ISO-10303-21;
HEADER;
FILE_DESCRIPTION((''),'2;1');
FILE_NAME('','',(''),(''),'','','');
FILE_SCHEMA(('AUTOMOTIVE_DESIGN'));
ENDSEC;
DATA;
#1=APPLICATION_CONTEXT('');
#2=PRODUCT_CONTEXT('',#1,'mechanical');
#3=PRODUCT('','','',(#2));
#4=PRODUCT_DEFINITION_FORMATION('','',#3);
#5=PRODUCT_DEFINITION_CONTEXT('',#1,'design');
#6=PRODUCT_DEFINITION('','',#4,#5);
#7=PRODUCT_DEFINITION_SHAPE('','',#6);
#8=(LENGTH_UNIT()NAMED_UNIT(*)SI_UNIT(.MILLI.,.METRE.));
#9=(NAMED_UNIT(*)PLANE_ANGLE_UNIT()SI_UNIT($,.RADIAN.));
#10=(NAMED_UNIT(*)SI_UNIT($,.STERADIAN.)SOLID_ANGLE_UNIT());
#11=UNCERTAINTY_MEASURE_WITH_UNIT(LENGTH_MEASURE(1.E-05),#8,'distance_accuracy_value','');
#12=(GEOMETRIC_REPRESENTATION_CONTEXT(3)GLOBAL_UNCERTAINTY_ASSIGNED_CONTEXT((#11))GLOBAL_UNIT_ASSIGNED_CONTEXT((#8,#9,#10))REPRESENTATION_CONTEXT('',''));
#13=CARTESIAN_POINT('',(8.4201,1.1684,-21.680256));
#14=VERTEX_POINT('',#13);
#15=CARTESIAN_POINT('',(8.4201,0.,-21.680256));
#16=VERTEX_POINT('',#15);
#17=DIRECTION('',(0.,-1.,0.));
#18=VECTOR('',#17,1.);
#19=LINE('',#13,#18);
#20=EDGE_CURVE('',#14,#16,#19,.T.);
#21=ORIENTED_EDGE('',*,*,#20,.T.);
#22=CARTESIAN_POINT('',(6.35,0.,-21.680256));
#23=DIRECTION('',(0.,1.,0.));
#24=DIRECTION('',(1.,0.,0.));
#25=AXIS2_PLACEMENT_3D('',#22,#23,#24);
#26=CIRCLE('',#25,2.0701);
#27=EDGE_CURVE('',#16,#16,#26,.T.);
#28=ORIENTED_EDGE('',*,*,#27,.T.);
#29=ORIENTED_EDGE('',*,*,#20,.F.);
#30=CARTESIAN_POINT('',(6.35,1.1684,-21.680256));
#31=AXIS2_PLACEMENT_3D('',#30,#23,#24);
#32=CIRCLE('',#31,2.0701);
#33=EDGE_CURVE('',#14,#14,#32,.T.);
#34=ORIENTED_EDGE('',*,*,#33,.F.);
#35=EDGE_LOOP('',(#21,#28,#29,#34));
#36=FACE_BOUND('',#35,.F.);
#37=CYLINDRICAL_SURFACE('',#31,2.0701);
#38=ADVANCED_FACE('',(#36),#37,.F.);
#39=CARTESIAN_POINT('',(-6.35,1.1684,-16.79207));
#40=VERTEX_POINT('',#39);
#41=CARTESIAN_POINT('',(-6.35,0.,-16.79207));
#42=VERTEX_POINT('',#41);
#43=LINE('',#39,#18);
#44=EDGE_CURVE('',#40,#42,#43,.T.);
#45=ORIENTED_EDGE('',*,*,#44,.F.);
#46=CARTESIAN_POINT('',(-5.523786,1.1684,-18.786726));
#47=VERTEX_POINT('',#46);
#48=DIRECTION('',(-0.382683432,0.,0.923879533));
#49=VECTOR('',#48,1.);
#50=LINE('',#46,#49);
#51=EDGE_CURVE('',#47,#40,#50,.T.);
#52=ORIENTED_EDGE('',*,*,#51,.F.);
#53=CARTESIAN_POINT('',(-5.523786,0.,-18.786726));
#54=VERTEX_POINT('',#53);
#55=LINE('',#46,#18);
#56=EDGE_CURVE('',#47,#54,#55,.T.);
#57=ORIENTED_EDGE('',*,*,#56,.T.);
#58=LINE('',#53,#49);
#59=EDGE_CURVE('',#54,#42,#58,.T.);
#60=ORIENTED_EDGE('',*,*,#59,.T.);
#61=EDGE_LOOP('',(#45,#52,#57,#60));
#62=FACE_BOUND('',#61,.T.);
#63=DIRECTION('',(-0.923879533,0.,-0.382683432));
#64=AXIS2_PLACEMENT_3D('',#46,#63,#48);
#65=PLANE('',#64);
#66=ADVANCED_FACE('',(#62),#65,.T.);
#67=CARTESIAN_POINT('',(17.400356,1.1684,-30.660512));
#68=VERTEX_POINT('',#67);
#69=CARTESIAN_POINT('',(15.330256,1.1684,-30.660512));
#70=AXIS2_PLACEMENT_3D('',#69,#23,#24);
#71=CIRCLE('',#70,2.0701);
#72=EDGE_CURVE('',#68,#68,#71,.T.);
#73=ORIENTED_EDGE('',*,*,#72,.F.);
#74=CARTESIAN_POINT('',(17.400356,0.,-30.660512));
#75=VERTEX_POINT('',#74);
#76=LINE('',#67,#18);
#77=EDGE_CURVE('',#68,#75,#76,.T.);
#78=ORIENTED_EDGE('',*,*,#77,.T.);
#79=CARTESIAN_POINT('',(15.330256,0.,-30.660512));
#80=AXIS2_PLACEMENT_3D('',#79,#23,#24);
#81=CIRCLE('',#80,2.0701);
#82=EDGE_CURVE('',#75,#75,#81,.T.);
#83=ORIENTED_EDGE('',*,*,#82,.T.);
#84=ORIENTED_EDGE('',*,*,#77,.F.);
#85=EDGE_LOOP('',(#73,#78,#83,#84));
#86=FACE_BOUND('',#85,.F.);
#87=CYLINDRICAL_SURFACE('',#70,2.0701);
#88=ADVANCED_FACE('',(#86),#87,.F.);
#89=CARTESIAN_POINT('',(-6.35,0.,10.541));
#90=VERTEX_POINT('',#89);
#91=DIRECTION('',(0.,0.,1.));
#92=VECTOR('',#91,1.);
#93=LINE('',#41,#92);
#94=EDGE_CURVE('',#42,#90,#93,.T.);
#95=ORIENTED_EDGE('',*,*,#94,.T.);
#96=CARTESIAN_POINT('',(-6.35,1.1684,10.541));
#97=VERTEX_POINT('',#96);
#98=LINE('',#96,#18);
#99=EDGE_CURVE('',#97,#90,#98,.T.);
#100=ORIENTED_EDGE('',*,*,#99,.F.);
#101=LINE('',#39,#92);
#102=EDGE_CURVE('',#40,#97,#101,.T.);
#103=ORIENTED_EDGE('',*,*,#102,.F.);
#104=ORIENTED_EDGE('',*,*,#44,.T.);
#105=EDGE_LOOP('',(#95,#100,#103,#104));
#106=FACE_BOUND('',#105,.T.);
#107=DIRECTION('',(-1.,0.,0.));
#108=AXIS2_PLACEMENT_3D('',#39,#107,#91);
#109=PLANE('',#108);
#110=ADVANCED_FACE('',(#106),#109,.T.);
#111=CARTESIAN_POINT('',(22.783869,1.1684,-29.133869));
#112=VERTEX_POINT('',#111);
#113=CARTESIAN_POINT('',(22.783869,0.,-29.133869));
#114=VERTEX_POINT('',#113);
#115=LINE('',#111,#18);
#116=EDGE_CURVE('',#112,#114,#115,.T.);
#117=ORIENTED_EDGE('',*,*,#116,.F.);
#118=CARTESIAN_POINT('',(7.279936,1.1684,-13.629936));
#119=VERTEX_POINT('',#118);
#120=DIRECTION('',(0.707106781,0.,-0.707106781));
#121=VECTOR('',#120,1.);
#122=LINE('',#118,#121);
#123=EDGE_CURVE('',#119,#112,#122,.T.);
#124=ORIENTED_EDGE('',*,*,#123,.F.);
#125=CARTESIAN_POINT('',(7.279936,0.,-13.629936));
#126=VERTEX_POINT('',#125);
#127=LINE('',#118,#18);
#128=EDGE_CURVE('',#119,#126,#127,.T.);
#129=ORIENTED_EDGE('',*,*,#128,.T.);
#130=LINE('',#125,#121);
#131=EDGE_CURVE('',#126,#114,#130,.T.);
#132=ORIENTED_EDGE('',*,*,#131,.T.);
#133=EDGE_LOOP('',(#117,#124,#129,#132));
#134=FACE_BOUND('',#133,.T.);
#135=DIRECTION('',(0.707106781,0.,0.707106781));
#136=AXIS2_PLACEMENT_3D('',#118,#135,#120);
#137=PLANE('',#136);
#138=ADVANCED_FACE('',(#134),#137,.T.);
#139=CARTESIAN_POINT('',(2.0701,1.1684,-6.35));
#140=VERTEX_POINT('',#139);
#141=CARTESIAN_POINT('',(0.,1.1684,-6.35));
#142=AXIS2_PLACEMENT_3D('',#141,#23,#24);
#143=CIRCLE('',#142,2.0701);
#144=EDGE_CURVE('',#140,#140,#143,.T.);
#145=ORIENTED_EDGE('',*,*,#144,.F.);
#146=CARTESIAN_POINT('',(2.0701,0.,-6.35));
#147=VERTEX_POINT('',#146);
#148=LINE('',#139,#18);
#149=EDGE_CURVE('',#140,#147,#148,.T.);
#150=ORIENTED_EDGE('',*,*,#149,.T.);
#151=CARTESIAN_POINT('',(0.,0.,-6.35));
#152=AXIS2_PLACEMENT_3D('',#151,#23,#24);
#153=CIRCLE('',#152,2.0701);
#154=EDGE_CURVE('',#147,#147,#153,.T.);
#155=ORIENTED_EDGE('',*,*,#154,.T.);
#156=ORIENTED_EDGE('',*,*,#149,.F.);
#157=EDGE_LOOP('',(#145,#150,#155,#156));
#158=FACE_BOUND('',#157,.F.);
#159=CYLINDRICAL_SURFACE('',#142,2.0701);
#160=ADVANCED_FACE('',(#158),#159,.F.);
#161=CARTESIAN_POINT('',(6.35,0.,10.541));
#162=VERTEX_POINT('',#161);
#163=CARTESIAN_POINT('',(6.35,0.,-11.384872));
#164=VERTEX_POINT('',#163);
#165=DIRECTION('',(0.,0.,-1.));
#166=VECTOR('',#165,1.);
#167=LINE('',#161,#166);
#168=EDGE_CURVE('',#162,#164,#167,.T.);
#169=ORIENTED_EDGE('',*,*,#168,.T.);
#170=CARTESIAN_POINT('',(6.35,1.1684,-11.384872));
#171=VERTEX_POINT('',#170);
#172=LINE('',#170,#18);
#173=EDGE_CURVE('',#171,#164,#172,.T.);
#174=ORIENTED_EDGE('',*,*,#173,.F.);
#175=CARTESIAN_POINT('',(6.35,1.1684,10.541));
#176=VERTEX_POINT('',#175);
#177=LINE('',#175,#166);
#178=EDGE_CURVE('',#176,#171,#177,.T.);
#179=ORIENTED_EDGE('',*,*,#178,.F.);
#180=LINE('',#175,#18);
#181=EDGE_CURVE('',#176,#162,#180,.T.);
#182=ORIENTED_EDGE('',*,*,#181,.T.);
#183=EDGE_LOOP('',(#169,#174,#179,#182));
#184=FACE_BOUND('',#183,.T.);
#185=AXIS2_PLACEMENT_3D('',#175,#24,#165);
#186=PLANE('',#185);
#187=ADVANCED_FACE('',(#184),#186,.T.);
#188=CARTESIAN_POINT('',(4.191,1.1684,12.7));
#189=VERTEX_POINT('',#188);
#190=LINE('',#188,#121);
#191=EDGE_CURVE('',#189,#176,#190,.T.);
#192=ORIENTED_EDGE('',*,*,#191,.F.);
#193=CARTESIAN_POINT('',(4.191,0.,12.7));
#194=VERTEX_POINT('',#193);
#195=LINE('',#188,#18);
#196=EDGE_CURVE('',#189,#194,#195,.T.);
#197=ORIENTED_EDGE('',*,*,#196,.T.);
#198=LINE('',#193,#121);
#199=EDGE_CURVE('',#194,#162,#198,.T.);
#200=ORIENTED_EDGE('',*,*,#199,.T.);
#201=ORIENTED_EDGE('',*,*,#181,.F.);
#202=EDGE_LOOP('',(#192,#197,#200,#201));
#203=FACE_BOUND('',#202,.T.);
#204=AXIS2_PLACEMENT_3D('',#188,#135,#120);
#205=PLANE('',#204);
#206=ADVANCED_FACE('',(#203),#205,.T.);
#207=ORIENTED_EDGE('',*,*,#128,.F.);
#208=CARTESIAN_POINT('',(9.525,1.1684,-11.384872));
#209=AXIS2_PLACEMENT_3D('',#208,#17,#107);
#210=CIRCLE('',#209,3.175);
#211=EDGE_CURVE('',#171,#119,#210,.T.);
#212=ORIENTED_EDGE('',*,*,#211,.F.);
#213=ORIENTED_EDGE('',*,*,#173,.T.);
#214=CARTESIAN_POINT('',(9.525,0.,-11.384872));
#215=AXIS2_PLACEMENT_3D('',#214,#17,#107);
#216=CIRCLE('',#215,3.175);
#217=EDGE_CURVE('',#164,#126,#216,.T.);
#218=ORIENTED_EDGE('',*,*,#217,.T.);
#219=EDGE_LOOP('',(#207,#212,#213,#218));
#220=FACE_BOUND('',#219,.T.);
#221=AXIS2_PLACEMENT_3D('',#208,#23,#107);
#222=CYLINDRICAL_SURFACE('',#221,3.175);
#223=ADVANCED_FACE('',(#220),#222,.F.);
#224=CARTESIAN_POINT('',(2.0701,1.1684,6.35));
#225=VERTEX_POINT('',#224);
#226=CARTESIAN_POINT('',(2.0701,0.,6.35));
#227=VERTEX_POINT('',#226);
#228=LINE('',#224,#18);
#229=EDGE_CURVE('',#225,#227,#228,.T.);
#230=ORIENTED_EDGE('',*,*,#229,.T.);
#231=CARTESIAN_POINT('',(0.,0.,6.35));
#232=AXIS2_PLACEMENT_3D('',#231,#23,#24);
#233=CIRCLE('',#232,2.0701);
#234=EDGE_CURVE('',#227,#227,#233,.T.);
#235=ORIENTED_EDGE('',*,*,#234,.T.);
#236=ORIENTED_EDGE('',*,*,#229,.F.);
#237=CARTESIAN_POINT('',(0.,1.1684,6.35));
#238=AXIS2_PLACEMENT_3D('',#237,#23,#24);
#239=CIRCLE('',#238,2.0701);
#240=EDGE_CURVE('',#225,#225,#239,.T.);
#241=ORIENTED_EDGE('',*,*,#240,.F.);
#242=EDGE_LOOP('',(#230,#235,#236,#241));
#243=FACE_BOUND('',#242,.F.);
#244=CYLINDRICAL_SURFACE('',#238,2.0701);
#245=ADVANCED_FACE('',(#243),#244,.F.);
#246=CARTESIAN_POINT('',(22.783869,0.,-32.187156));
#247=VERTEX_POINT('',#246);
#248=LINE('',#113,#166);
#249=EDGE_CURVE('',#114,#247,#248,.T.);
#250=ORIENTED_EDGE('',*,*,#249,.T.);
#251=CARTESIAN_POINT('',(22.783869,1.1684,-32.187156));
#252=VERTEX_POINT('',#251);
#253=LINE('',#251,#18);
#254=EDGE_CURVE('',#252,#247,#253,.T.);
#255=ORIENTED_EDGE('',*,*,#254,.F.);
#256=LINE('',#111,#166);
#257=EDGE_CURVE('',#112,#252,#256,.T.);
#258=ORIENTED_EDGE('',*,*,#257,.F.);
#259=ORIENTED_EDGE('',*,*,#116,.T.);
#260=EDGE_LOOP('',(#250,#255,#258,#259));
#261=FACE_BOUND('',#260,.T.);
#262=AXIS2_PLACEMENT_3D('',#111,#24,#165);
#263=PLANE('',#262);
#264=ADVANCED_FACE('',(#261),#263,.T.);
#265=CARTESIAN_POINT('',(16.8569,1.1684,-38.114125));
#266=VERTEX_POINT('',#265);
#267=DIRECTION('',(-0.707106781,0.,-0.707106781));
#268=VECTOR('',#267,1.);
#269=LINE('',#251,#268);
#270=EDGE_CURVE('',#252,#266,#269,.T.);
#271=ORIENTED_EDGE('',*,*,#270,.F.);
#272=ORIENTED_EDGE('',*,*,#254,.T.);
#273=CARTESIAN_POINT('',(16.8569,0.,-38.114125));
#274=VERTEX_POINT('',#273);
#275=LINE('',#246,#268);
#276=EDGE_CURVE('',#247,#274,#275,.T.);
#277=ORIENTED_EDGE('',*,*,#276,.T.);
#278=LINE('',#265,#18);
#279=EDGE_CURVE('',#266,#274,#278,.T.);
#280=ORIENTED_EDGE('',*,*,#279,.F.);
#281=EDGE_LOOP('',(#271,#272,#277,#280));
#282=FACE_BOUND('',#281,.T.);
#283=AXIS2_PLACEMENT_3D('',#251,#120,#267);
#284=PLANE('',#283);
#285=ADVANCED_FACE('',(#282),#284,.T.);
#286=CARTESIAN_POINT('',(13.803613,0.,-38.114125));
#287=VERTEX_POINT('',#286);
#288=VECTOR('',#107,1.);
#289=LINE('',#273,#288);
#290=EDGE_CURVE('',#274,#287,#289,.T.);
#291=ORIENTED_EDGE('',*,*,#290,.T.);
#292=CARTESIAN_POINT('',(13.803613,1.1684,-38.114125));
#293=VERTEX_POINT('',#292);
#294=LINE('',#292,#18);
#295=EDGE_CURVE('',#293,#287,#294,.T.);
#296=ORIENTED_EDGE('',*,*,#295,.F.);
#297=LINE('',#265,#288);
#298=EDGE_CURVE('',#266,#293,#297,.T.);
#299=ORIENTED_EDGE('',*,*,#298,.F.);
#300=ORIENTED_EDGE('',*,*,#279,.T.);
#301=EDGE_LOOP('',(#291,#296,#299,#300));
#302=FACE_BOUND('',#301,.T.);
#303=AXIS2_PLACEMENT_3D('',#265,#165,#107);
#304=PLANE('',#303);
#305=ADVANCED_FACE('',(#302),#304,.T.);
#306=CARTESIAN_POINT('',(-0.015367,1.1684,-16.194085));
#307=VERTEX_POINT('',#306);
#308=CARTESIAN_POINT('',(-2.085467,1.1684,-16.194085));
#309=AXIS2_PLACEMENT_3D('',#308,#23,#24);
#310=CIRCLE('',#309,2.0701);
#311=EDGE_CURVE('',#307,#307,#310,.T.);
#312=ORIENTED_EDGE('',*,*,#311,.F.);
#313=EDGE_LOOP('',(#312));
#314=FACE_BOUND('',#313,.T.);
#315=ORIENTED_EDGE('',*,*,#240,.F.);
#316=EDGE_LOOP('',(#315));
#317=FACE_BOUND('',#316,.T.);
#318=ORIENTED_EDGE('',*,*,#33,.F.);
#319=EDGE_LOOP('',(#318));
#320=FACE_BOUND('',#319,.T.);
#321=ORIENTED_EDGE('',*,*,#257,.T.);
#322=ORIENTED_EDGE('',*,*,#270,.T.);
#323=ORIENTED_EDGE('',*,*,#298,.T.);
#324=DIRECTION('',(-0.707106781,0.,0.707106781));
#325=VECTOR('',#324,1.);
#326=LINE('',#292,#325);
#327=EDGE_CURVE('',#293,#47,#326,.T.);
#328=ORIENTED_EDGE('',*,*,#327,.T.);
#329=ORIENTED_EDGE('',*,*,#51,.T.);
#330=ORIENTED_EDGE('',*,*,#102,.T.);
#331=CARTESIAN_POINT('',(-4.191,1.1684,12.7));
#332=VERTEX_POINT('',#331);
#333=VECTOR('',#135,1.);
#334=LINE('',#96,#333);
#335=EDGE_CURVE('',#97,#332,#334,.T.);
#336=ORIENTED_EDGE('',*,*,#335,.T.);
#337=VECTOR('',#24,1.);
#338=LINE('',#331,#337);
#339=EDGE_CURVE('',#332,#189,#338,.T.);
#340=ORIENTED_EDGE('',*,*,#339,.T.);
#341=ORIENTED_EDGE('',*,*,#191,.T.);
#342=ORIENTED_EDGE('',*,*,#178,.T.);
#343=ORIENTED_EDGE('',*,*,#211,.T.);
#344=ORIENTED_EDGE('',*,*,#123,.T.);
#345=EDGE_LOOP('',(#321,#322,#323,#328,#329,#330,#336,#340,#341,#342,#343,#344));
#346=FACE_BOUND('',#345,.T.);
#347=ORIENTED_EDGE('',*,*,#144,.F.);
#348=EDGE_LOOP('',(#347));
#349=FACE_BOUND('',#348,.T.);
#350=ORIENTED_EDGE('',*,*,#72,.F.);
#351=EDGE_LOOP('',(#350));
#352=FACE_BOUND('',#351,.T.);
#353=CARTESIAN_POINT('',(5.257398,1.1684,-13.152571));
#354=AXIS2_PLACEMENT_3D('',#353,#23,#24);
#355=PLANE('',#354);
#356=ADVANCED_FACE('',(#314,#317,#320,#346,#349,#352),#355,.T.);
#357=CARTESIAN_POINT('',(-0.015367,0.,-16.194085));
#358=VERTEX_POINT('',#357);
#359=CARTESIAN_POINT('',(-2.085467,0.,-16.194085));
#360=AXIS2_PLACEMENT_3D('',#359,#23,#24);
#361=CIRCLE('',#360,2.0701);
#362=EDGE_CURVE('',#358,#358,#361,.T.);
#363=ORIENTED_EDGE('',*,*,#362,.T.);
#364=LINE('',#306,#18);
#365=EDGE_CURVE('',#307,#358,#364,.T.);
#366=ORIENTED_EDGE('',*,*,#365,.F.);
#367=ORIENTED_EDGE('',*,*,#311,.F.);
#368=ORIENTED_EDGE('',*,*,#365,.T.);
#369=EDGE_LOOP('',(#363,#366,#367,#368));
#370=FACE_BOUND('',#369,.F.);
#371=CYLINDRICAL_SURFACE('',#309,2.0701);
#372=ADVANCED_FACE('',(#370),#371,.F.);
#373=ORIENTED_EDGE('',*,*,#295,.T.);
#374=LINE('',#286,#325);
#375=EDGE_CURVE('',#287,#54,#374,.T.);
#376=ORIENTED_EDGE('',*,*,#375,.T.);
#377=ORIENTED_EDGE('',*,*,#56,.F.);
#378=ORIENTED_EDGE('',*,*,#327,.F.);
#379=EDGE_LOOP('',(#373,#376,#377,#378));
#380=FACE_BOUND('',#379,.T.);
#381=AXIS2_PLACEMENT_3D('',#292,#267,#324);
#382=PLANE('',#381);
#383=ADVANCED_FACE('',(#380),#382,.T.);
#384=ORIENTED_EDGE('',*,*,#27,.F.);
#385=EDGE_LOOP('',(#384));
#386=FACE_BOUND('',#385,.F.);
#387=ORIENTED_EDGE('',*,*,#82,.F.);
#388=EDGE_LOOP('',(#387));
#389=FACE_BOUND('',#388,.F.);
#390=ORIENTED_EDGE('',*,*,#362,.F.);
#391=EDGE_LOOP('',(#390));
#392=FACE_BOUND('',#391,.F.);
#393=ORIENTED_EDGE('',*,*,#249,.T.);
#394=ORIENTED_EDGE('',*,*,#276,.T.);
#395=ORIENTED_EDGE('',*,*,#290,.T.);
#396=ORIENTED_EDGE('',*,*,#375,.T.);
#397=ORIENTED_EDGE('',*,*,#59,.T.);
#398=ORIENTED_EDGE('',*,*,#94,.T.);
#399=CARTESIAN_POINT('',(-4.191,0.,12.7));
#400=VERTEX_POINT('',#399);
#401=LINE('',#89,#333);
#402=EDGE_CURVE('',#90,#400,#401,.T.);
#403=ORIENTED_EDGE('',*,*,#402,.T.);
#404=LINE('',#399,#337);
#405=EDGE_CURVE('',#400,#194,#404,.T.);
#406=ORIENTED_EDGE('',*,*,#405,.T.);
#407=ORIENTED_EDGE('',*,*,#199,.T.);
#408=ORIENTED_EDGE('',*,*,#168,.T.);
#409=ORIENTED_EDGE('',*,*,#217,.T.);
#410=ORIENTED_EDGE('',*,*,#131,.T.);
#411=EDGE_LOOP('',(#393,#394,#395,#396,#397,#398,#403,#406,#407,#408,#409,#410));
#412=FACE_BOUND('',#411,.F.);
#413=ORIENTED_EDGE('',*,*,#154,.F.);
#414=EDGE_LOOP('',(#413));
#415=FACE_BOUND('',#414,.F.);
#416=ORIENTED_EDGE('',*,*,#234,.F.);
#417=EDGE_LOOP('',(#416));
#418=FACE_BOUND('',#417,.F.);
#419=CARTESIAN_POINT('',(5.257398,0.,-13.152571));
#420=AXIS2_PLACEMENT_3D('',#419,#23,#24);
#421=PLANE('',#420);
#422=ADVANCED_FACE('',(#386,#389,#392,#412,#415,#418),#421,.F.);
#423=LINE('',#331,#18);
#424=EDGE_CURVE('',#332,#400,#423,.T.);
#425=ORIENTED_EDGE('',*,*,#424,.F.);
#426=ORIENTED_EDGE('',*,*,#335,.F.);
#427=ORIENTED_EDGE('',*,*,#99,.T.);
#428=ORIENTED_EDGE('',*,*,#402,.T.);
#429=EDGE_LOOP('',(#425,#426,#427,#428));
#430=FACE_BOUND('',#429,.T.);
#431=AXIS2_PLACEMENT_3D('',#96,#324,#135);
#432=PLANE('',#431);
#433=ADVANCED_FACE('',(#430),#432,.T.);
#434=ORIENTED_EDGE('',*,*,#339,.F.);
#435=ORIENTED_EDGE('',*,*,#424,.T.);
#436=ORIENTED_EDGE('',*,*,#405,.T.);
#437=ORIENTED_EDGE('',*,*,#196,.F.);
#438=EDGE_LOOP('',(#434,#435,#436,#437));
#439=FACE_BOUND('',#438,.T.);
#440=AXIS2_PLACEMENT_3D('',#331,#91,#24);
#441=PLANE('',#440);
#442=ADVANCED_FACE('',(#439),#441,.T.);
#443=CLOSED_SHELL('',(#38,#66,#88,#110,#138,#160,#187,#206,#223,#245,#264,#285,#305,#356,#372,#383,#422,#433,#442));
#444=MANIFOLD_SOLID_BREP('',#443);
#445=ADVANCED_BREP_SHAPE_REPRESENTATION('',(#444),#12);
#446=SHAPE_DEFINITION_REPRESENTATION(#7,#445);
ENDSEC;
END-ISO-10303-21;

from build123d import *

# Parameters (mm, degrees)
SKETCH1_R           = 2.0701
BOSS_EXTRUDE1_DEPTH = 1.1684


with BuildPart() as part:
    # Sketch1 → Boss-Extrude1 (new body)
    with BuildSketch(Plane(origin=(0, 1.1684, 0), x_dir=(1, 0, 0), z_dir=(0, 1, 0))):
        with BuildLine():
            Line((16.856899662, 38.114124823), (13.80361258, 38.114124823))
            Line((13.80361258, 38.114124823), (-5.52378647, 18.786725773))
            Line((-5.52378647, 18.786725773), (-6.35, 16.792069862))
            Line((-6.35, 16.792069862), (-6.35, -10.541))
            Line((-6.35, -10.541), (-4.191, -12.7))
            Line((-4.191, -12.7), (4.191, -12.7))
            Line((4.191, -12.7), (6.35, -10.541))
            Line((6.35, -10.541), (6.35, 11.384871939))
            ThreePointArc((6.35, 11.384871939), (6.591682484, 12.599891837), (7.27993597, 13.62993597))
            Line((7.27993597, 13.62993597), (22.783868702, 29.133868702))
            Line((22.783868702, 29.133868702), (22.783868702, 32.187155783))
            Line((22.783868702, 32.187155783), (16.856899662, 38.114124823))
        make_face()
        with Locations((15.330256121, 30.660512242)):
            Circle(SKETCH1_R, mode=Mode.SUBTRACT)
        with Locations((0, 6.35)):
            Circle(SKETCH1_R, mode=Mode.SUBTRACT)
        with Locations((-2.085466914, 16.194084801)):
            Circle(SKETCH1_R, mode=Mode.SUBTRACT)
        with Locations((0, -6.35)):
            Circle(SKETCH1_R, mode=Mode.SUBTRACT)
        with Locations((6.35, 21.680256121)):
            Circle(SKETCH1_R, mode=Mode.SUBTRACT)
    extrude(amount=-BOSS_EXTRUDE1_DEPTH)


solid = part.part
